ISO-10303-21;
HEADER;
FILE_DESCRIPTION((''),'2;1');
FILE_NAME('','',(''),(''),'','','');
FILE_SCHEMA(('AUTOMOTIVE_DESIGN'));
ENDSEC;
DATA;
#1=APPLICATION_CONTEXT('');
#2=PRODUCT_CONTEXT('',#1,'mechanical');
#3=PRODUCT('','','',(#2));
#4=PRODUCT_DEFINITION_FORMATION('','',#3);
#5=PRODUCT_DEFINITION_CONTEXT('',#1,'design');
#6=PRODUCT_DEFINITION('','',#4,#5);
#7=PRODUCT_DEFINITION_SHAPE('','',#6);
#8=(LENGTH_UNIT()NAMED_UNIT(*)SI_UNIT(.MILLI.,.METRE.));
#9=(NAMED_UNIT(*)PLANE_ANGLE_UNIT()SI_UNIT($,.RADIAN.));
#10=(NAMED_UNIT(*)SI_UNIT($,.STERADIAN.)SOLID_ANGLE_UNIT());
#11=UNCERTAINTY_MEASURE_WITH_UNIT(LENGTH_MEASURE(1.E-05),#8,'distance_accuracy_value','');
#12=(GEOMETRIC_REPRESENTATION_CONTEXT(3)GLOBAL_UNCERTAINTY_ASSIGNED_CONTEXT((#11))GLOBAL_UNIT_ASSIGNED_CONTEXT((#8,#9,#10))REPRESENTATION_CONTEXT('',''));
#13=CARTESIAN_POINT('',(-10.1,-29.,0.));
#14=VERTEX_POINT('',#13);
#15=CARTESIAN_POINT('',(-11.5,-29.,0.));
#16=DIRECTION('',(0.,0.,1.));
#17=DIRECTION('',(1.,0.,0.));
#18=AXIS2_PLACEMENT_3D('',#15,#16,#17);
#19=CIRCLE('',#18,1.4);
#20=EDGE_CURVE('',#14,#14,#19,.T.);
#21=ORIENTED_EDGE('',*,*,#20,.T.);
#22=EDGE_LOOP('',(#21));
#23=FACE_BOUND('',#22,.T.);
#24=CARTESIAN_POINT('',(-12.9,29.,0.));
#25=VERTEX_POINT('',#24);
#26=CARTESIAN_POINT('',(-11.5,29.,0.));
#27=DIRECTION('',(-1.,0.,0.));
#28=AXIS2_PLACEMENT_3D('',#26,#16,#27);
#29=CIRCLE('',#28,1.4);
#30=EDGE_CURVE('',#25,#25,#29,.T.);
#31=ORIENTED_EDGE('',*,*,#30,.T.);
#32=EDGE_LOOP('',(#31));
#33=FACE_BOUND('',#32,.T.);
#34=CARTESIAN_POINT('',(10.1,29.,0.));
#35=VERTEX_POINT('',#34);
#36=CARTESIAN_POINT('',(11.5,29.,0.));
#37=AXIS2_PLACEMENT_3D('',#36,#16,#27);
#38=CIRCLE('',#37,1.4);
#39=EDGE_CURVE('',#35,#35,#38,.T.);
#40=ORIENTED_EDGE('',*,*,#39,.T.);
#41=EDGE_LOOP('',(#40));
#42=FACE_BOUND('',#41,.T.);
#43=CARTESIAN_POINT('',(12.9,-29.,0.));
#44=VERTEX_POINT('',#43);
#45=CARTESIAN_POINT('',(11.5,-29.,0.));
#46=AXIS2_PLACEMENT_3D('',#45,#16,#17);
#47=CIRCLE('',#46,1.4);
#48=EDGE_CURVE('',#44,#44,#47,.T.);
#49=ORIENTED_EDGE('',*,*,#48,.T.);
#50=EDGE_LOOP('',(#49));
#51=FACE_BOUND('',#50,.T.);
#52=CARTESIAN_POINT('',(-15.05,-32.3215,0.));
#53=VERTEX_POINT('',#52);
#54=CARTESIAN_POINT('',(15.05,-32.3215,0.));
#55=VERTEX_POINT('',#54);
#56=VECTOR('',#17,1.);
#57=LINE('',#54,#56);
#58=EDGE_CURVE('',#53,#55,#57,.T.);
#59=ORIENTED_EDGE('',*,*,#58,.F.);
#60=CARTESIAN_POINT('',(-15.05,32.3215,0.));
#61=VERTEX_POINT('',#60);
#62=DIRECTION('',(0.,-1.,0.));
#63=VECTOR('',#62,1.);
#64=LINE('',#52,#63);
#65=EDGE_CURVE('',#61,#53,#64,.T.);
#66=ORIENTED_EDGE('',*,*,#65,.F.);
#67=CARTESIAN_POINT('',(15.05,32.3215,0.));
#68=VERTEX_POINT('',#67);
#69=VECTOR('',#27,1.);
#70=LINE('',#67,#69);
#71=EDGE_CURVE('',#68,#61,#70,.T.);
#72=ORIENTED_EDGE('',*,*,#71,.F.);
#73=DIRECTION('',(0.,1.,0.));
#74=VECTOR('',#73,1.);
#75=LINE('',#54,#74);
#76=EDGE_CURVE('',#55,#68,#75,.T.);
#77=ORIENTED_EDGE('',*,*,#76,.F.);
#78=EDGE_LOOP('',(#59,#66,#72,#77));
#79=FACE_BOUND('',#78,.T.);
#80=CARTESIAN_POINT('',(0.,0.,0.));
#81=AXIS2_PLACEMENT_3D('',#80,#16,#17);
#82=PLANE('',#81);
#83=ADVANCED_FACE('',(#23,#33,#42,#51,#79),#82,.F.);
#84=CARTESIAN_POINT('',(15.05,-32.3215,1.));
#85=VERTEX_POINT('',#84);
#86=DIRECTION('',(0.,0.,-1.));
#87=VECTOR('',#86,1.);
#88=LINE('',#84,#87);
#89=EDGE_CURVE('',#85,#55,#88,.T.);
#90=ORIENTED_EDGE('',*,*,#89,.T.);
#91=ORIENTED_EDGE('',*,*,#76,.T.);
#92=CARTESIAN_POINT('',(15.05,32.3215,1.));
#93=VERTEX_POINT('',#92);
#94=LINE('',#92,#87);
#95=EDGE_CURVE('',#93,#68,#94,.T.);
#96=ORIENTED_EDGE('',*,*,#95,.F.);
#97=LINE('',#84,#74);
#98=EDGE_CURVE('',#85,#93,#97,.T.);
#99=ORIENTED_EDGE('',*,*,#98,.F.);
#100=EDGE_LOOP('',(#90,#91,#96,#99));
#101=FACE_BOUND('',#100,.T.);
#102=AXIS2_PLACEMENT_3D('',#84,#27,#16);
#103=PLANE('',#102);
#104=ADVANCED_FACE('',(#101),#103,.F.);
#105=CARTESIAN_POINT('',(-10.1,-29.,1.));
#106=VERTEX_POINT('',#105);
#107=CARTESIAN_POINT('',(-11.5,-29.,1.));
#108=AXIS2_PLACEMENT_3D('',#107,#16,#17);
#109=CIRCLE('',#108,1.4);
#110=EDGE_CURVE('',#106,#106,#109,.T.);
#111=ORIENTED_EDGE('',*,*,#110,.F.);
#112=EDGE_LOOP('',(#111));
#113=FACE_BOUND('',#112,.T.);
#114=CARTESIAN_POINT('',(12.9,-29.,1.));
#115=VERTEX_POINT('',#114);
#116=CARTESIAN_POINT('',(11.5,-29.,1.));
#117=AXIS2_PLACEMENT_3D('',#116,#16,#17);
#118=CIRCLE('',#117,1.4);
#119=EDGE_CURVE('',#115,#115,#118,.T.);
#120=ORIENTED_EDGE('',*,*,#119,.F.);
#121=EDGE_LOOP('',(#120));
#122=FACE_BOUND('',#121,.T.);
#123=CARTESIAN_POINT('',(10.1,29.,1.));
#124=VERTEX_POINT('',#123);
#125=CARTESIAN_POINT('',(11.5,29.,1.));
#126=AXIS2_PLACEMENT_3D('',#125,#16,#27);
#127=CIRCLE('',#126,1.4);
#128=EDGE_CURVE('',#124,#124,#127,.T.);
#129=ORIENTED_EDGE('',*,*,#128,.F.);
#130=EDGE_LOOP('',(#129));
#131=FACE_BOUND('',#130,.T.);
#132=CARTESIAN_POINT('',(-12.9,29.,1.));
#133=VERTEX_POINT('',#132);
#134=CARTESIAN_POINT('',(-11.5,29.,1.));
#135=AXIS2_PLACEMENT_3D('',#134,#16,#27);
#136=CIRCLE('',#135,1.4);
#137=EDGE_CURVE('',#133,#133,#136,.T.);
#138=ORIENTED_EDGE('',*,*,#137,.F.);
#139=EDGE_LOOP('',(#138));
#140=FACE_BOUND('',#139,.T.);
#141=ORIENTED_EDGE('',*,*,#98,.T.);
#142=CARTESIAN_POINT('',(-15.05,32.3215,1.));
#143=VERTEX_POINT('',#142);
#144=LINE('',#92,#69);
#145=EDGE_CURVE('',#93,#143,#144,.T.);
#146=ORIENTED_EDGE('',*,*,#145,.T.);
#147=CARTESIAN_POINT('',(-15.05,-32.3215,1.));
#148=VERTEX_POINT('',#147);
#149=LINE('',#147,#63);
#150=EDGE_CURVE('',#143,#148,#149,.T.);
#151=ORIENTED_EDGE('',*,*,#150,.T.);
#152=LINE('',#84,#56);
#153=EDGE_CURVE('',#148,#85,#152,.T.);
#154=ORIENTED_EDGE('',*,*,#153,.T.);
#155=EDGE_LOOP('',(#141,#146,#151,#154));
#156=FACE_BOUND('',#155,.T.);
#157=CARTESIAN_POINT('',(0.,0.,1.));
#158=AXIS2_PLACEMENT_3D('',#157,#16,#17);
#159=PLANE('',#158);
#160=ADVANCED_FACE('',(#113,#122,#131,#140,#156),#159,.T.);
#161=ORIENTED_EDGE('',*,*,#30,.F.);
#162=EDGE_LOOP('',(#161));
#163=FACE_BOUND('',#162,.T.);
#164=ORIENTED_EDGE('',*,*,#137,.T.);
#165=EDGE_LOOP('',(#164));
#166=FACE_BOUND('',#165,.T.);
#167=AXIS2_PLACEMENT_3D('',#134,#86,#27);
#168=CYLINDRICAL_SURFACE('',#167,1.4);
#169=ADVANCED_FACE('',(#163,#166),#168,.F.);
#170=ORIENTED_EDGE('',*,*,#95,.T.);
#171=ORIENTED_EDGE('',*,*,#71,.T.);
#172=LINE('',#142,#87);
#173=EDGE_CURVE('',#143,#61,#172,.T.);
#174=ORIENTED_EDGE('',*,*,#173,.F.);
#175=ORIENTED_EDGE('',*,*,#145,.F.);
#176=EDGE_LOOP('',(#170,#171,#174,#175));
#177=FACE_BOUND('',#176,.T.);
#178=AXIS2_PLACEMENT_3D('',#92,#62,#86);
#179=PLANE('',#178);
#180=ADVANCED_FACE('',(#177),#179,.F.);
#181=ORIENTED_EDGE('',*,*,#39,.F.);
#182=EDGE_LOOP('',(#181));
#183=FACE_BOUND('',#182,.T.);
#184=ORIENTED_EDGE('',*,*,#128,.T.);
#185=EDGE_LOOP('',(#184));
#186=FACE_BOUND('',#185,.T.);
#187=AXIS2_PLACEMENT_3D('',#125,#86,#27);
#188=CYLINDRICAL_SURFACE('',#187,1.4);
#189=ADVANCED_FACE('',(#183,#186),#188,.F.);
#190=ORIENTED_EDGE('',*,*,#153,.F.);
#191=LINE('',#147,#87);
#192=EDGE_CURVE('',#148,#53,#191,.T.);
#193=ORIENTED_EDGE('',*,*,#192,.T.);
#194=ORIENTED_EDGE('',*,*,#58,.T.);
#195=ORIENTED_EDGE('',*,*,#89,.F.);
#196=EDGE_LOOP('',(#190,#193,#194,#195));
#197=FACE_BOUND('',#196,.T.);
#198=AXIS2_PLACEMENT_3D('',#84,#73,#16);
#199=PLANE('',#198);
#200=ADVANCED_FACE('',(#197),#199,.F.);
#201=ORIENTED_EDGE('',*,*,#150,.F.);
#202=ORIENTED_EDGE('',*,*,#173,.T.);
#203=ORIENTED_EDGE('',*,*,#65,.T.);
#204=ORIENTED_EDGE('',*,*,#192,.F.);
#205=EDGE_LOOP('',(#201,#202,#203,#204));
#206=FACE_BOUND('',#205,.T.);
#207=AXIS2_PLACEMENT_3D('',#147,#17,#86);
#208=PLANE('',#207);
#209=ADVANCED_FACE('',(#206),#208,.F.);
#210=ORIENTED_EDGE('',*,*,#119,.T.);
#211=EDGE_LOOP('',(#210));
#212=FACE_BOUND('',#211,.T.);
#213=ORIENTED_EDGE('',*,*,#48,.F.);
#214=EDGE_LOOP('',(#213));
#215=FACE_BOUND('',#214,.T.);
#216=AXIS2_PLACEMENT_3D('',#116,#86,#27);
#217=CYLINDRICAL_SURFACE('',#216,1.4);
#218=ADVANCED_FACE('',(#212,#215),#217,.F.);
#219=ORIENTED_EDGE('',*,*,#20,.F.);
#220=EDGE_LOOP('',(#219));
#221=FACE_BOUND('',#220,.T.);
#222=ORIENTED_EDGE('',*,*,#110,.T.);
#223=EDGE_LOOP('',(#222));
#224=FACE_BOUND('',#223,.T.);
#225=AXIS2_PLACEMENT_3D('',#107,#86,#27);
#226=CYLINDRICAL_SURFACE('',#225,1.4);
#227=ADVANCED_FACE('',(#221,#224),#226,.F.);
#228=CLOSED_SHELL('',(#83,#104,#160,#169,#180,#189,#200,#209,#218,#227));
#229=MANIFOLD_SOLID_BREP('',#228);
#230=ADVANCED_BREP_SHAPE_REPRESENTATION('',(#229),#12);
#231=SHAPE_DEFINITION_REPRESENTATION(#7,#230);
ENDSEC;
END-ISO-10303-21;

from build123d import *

# Parameters (mm, degrees)
CROQUIS1_W              = 30.1
CROQUIS1_H              = 64.643
CROQUIS1_R              = 1.4
SALIENTE_EXTRUIR1_DEPTH = 1


with BuildPart() as part:
    # Croquis1 → Saliente-Extruir1 (new body)
    with BuildSketch(Plane.XY):
        Rectangle(CROQUIS1_W, CROQUIS1_H)
        with Locations((-11.5, -29)):
            Circle(CROQUIS1_R, mode=Mode.SUBTRACT)
        with Locations((11.5, -29)):
            Circle(CROQUIS1_R, mode=Mode.SUBTRACT)
        with Locations(Location((11.5, 29, 0), (0, 0, 180))):
            Circle(CROQUIS1_R, mode=Mode.SUBTRACT)
        with Locations(Location((-11.5, 29, 0), (0, 0, 180))):
            Circle(CROQUIS1_R, mode=Mode.SUBTRACT)
    extrude(amount=SALIENTE_EXTRUIR1_DEPTH)


solid = part.part
